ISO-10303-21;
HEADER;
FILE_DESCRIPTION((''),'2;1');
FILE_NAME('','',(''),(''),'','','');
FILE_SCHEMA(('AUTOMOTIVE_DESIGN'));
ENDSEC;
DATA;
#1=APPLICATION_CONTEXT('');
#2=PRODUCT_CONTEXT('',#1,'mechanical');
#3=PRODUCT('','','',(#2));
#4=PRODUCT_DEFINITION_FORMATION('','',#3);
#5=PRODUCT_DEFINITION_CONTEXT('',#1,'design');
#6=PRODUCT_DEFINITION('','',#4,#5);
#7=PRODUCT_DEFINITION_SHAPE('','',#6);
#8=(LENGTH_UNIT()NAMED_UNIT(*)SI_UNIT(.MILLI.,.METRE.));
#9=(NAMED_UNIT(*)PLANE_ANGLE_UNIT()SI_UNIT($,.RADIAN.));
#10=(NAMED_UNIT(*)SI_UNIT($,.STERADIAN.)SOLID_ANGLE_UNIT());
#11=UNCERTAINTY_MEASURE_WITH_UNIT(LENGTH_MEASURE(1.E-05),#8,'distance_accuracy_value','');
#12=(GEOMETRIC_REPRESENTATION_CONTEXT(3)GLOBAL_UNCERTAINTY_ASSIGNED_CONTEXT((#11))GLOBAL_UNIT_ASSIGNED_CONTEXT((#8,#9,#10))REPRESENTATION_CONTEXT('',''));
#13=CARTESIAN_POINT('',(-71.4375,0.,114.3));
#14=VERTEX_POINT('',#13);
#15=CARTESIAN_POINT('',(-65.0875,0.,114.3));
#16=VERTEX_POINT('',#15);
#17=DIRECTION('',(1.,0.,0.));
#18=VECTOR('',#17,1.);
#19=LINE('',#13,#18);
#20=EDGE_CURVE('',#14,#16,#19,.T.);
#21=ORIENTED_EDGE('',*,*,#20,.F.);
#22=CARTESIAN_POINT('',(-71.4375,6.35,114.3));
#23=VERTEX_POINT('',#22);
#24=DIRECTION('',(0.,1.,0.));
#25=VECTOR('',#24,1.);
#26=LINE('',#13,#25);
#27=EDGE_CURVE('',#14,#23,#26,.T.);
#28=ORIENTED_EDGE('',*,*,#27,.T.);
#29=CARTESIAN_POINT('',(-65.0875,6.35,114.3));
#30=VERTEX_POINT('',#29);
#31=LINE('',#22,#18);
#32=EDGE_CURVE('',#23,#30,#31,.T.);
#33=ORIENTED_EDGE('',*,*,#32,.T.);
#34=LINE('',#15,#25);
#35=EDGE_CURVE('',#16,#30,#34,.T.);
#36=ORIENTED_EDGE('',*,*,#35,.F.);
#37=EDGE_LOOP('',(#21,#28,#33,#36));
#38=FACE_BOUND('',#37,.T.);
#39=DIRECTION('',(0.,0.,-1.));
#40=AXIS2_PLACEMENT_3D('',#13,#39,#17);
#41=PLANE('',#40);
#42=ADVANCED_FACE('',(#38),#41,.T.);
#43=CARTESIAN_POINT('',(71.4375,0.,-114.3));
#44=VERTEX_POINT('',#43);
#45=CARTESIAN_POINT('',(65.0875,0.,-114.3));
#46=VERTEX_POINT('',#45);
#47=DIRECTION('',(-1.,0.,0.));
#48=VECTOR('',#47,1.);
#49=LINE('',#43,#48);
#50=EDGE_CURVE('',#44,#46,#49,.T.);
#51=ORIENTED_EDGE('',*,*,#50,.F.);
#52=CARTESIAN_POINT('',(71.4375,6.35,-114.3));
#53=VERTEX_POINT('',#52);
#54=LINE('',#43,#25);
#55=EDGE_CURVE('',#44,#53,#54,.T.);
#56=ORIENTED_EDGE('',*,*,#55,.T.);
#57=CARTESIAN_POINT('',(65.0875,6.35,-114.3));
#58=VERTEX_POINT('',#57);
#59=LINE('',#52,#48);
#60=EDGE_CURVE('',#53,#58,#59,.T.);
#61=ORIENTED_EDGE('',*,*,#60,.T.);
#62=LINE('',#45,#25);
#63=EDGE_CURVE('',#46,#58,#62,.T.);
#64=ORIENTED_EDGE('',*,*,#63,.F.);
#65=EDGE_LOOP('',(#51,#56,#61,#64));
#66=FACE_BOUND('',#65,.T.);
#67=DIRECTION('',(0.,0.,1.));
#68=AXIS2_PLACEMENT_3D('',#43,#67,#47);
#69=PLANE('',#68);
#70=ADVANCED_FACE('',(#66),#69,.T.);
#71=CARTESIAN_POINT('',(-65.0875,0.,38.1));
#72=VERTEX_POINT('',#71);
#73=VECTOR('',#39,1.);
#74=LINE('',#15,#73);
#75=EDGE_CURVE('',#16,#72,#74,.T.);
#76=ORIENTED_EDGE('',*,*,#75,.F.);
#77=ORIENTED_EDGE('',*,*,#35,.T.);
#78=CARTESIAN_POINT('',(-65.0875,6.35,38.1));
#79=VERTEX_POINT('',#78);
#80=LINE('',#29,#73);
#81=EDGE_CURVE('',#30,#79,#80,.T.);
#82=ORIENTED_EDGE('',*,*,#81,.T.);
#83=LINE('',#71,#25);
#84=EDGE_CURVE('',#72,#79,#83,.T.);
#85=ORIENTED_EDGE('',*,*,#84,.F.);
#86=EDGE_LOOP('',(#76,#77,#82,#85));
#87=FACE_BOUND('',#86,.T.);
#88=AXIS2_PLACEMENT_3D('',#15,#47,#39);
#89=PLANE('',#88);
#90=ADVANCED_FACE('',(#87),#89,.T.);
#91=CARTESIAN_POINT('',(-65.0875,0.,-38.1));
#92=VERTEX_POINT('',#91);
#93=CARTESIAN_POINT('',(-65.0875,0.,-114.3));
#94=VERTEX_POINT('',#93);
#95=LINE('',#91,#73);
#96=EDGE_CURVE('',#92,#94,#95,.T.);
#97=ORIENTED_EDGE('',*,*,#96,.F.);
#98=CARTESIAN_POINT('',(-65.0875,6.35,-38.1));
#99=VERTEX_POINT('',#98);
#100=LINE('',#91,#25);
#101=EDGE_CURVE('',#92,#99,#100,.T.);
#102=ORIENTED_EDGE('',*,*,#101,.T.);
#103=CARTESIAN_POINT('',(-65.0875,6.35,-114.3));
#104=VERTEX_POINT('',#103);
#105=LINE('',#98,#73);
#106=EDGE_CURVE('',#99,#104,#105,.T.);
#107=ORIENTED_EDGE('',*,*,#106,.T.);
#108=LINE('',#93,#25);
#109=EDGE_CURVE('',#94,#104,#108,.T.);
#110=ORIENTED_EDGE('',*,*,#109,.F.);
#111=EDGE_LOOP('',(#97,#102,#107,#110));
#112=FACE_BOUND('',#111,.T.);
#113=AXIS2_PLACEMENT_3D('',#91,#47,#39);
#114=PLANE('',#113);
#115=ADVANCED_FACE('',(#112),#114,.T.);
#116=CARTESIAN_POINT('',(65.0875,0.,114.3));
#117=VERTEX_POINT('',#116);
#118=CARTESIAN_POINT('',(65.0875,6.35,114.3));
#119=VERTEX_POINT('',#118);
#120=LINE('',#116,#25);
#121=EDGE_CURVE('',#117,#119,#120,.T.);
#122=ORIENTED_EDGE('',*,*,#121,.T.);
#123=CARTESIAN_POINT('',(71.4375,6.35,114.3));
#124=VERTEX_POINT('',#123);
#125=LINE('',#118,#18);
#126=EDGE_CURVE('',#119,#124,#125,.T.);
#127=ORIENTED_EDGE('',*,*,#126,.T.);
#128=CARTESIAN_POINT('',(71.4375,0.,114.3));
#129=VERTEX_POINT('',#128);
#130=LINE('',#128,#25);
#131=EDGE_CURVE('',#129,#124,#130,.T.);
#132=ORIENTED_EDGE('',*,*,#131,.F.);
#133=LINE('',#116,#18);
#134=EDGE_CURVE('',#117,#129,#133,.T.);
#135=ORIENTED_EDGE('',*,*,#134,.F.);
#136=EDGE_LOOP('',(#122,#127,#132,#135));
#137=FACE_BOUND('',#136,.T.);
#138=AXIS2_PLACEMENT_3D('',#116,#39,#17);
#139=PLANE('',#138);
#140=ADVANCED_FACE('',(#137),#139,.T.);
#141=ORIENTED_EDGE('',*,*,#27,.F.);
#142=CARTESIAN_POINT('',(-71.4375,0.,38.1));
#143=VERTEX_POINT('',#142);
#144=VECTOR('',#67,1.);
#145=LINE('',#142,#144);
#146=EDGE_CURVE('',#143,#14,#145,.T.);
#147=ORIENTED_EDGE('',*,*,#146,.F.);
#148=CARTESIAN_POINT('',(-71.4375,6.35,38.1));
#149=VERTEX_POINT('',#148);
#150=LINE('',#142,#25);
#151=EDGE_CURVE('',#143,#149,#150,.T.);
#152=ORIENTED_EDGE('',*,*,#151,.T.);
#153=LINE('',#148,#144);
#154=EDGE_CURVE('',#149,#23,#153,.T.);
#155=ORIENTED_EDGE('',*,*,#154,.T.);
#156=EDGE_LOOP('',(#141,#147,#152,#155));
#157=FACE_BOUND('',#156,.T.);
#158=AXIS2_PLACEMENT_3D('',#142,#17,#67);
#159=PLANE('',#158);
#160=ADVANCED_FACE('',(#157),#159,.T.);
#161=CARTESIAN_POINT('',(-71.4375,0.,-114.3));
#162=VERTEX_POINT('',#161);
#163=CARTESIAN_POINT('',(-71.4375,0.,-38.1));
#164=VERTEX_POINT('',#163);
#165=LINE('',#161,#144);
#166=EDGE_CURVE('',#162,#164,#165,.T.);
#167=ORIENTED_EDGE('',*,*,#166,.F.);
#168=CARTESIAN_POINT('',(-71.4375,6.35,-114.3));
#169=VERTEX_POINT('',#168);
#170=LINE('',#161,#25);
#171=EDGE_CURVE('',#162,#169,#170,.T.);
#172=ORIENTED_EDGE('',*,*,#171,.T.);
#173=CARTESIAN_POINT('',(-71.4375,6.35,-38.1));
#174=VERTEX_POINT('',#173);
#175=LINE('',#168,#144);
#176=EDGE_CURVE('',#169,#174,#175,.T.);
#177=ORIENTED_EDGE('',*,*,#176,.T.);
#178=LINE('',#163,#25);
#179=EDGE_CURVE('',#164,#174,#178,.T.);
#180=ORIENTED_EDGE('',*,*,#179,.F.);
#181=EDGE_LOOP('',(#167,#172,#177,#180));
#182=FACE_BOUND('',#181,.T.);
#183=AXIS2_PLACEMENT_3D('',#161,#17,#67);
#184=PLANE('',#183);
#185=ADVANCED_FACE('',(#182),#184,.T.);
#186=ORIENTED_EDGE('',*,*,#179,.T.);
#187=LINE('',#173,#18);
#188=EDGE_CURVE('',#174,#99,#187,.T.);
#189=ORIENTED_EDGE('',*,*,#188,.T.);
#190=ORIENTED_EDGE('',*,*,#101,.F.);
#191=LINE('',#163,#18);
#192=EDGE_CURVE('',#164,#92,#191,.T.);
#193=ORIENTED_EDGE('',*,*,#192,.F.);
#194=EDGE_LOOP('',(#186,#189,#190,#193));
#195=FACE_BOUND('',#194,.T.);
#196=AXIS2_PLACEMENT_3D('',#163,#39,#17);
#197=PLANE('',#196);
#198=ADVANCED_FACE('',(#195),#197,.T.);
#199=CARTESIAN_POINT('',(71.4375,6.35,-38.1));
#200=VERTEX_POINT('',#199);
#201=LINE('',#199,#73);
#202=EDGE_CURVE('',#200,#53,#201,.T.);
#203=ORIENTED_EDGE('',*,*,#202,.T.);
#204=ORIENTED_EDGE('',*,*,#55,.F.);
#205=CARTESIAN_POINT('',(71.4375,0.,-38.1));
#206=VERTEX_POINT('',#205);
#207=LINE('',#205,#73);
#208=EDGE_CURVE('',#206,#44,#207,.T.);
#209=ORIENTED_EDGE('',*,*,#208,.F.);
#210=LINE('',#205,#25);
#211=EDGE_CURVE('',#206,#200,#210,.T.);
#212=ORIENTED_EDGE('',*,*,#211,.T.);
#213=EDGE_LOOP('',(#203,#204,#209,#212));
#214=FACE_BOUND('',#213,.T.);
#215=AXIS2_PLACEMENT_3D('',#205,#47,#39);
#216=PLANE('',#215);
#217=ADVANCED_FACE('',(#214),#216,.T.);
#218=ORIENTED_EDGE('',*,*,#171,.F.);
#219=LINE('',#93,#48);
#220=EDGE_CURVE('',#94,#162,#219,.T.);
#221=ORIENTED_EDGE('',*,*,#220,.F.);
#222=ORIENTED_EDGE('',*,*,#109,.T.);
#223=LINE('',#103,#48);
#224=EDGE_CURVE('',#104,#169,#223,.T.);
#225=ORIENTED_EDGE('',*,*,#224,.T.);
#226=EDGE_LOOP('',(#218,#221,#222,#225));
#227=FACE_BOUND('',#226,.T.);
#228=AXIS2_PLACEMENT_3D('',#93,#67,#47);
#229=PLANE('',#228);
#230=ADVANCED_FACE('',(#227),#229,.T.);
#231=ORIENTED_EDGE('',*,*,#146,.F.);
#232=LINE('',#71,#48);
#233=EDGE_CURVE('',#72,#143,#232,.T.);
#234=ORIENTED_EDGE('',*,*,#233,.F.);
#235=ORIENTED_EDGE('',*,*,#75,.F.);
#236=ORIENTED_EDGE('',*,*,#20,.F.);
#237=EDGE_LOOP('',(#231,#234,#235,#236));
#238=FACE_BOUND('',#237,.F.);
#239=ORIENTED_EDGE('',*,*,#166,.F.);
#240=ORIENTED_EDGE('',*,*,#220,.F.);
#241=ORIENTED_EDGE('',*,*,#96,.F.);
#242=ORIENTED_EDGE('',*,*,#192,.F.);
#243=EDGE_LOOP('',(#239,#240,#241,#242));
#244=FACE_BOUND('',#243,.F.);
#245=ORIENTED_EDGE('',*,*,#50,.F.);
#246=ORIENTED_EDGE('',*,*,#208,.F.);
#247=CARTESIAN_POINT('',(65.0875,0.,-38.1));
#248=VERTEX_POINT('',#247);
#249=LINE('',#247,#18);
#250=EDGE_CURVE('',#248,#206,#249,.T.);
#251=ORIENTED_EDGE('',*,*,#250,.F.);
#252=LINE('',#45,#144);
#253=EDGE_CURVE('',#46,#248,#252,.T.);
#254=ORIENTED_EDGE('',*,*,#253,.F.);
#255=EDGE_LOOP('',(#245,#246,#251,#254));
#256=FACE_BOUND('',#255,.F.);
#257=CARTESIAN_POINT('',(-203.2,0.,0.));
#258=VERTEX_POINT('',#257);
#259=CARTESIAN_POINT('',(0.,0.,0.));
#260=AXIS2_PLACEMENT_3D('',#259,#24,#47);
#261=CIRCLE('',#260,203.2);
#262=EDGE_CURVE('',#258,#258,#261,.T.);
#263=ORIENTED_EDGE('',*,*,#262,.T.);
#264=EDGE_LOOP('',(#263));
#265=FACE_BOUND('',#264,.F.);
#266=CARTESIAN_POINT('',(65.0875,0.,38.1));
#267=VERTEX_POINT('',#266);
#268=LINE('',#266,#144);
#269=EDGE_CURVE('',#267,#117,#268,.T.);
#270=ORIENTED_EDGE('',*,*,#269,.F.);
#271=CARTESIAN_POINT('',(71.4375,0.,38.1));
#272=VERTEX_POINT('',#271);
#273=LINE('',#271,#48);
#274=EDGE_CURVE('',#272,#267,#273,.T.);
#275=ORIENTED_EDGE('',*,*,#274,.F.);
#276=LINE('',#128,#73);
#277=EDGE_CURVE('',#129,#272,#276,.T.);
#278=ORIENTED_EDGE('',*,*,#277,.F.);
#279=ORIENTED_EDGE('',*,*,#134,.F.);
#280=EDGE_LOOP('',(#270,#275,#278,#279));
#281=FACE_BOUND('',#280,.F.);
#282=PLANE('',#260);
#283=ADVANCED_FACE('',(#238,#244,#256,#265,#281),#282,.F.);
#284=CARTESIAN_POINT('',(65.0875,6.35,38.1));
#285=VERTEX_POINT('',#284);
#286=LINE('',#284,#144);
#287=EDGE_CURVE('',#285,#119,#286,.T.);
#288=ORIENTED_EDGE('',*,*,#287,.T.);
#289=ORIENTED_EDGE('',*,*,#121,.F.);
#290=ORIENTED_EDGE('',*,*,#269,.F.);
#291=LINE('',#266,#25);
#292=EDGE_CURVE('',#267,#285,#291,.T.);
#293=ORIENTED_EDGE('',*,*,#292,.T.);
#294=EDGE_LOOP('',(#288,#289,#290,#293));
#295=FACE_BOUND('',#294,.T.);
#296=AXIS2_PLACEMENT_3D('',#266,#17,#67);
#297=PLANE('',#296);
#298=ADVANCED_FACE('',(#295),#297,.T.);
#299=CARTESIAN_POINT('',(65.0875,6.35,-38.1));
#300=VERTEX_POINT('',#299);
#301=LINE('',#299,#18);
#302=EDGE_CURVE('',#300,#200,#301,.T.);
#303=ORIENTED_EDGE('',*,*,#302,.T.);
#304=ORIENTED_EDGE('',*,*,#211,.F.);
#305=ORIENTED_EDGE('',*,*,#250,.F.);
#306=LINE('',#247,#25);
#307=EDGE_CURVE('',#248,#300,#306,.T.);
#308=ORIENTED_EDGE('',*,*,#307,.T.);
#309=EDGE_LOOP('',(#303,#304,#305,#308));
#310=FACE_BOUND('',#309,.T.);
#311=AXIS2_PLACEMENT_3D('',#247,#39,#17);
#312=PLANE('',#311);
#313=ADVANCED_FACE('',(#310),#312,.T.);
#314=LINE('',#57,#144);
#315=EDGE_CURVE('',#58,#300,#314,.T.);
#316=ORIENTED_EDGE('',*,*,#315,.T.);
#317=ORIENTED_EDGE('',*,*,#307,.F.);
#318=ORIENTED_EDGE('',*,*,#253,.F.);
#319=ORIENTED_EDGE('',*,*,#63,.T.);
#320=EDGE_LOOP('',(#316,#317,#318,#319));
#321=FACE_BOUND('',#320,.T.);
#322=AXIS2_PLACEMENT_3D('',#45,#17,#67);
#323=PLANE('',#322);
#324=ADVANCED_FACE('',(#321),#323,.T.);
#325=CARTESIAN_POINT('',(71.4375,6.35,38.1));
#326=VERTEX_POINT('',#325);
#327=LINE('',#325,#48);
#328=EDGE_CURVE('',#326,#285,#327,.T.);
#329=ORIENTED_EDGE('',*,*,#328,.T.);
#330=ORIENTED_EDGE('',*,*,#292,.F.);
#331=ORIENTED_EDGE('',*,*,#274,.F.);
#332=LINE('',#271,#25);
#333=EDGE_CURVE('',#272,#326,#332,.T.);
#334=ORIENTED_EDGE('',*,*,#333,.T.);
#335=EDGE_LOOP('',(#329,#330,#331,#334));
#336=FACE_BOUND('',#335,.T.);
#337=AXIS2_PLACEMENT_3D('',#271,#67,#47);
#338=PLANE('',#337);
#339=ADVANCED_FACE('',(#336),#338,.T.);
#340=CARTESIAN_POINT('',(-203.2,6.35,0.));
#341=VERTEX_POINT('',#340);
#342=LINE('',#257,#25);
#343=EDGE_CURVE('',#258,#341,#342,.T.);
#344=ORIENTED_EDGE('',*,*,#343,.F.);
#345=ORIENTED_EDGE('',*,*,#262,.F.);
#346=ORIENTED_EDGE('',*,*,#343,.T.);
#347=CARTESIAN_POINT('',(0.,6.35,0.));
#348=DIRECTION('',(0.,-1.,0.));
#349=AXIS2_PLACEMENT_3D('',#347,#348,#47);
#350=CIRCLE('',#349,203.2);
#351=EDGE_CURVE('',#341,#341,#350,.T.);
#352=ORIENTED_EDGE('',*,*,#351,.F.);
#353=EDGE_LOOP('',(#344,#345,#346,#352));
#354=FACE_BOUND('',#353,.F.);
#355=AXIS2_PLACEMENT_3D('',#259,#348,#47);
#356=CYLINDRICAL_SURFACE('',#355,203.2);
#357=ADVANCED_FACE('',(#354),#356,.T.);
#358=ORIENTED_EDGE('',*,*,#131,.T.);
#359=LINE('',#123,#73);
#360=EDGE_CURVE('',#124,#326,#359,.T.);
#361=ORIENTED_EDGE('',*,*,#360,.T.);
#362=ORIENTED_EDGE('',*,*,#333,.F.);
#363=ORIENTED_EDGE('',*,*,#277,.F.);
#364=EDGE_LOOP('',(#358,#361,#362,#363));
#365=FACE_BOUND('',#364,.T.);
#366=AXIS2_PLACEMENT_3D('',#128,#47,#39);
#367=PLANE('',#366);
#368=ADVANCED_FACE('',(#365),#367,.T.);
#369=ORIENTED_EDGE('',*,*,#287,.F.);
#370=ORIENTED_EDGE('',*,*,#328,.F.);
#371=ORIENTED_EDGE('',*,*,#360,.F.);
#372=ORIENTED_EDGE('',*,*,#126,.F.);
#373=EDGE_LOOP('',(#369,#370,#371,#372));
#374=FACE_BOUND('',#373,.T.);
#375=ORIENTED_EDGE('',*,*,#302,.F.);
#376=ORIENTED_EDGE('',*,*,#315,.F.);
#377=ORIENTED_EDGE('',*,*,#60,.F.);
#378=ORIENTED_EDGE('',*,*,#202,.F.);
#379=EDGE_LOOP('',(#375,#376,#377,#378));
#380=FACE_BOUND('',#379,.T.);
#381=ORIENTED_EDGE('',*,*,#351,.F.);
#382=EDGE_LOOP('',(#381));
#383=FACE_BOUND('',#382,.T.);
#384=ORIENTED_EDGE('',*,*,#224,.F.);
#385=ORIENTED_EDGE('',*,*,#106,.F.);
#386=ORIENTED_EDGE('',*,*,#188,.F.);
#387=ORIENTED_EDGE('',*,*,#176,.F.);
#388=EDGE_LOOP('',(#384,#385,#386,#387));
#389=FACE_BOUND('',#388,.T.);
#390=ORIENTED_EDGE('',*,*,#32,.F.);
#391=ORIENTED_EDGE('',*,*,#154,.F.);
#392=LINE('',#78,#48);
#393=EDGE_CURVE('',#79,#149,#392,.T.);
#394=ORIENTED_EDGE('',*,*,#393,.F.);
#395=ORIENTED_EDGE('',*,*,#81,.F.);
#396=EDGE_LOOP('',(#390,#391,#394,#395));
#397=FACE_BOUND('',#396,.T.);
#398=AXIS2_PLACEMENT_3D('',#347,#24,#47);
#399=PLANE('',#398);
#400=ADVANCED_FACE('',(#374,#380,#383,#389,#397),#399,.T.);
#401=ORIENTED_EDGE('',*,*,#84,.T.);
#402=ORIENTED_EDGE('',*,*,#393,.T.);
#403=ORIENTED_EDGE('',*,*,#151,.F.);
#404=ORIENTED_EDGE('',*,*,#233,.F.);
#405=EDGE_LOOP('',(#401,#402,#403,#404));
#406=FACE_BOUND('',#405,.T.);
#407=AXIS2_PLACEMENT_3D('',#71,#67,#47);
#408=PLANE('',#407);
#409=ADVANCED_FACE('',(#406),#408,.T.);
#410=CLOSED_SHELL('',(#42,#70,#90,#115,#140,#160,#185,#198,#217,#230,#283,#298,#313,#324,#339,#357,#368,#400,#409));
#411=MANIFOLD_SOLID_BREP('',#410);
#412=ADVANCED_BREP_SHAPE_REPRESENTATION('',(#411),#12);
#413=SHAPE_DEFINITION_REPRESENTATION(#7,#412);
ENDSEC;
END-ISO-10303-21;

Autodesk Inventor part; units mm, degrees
ref_plane "YZ Plane" through (0, 0, 0) normal (1, 0, 0) x (0, 1, 0)
ref_plane "XZ Plane" through (0, 0, 0) normal (0, 1, 0) x (-1, 0, 0)
ref_plane "XY Plane" through (0, 0, 0) normal (0, 0, 1) x (1, 0, 0)
sketch "Sketch1" plane through (0, 0, 0) normal (0, 1, 0) x (-1, 0, 0)
  circle A0 centre (0, 0) radius 203.2
  line L0 (71.4375, -38.1) -> (65.0875, -38.1)
  line L1 (65.0875, -38.1) -> (65.0875, -114.3)
  line L2 (65.0875, -114.3) -> (71.4375, -114.3)
  line L3 (71.4375, -114.3) -> (71.4375, -38.1)
  line L4 (71.4375, -38.1) -> (65.0875, -114.3) construction
  line L5 (65.0875, -38.1) -> (71.4375, -114.3) construction
  line L6 (71.4375, 114.3) -> (65.0875, 114.3)
  line L7 (65.0875, 114.3) -> (65.0875, 38.1)
  line L8 (65.0875, 38.1) -> (71.4375, 38.1)
  line L9 (71.4375, 38.1) -> (71.4375, 114.3)
  line L10 (71.4375, 114.3) -> (65.0875, 38.1) construction
  line L11 (65.0875, 114.3) -> (71.4375, 38.1) construction
  line L12 (-65.0875, -38.1) -> (-71.4375, -38.1)
  line L13 (-71.4375, -38.1) -> (-71.4375, -114.3)
  line L14 (-71.4375, -114.3) -> (-65.0875, -114.3)
  line L15 (-65.0875, -114.3) -> (-65.0875, -38.1)
  line L16 (-65.0875, -38.1) -> (-71.4375, -114.3) construction
  line L17 (-71.4375, -38.1) -> (-65.0875, -114.3) construction
  line L18 (-65.0875, 114.3) -> (-71.4375, 114.3)
  line L19 (-71.4375, 114.3) -> (-71.4375, 38.1)
  line L20 (-71.4375, 38.1) -> (-65.0875, 38.1)
  line L21 (-65.0875, 38.1) -> (-65.0875, 114.3)
  line L22 (-65.0875, 114.3) -> (-71.4375, 38.1) construction
  line L23 (-71.4375, 114.3) -> (-65.0875, 38.1) construction
  line L24 (0, -284.48) -> (0, 284.48) projected
  line L25 (-284.48, 0) -> (284.48, 0) projected
  point P0 (68.2625, -76.2)
  point P1 (68.2625, 76.2)
  point P2 (-68.2625, -76.2)
  point P3 (-68.2625, 76.2)
  dimension "d0" = 406.4
  dimension "d1" = 6.35
  dimension "d2" = 6.35
  dimension "d3" = 76.2
  dimension "d4" = 6.35
  dimension "d5" = 6.35
  dimension "d6" = 76.2
  dimension "d7" = 76.2
  dimension "d8" = 76.2
  dimension "d9" = 152.4
  dimension "d10" = 152.4
extrude "Extrusion1" add sketch "Sketch1" along normal blind 6.35
properties part number "turretBasePlate"
